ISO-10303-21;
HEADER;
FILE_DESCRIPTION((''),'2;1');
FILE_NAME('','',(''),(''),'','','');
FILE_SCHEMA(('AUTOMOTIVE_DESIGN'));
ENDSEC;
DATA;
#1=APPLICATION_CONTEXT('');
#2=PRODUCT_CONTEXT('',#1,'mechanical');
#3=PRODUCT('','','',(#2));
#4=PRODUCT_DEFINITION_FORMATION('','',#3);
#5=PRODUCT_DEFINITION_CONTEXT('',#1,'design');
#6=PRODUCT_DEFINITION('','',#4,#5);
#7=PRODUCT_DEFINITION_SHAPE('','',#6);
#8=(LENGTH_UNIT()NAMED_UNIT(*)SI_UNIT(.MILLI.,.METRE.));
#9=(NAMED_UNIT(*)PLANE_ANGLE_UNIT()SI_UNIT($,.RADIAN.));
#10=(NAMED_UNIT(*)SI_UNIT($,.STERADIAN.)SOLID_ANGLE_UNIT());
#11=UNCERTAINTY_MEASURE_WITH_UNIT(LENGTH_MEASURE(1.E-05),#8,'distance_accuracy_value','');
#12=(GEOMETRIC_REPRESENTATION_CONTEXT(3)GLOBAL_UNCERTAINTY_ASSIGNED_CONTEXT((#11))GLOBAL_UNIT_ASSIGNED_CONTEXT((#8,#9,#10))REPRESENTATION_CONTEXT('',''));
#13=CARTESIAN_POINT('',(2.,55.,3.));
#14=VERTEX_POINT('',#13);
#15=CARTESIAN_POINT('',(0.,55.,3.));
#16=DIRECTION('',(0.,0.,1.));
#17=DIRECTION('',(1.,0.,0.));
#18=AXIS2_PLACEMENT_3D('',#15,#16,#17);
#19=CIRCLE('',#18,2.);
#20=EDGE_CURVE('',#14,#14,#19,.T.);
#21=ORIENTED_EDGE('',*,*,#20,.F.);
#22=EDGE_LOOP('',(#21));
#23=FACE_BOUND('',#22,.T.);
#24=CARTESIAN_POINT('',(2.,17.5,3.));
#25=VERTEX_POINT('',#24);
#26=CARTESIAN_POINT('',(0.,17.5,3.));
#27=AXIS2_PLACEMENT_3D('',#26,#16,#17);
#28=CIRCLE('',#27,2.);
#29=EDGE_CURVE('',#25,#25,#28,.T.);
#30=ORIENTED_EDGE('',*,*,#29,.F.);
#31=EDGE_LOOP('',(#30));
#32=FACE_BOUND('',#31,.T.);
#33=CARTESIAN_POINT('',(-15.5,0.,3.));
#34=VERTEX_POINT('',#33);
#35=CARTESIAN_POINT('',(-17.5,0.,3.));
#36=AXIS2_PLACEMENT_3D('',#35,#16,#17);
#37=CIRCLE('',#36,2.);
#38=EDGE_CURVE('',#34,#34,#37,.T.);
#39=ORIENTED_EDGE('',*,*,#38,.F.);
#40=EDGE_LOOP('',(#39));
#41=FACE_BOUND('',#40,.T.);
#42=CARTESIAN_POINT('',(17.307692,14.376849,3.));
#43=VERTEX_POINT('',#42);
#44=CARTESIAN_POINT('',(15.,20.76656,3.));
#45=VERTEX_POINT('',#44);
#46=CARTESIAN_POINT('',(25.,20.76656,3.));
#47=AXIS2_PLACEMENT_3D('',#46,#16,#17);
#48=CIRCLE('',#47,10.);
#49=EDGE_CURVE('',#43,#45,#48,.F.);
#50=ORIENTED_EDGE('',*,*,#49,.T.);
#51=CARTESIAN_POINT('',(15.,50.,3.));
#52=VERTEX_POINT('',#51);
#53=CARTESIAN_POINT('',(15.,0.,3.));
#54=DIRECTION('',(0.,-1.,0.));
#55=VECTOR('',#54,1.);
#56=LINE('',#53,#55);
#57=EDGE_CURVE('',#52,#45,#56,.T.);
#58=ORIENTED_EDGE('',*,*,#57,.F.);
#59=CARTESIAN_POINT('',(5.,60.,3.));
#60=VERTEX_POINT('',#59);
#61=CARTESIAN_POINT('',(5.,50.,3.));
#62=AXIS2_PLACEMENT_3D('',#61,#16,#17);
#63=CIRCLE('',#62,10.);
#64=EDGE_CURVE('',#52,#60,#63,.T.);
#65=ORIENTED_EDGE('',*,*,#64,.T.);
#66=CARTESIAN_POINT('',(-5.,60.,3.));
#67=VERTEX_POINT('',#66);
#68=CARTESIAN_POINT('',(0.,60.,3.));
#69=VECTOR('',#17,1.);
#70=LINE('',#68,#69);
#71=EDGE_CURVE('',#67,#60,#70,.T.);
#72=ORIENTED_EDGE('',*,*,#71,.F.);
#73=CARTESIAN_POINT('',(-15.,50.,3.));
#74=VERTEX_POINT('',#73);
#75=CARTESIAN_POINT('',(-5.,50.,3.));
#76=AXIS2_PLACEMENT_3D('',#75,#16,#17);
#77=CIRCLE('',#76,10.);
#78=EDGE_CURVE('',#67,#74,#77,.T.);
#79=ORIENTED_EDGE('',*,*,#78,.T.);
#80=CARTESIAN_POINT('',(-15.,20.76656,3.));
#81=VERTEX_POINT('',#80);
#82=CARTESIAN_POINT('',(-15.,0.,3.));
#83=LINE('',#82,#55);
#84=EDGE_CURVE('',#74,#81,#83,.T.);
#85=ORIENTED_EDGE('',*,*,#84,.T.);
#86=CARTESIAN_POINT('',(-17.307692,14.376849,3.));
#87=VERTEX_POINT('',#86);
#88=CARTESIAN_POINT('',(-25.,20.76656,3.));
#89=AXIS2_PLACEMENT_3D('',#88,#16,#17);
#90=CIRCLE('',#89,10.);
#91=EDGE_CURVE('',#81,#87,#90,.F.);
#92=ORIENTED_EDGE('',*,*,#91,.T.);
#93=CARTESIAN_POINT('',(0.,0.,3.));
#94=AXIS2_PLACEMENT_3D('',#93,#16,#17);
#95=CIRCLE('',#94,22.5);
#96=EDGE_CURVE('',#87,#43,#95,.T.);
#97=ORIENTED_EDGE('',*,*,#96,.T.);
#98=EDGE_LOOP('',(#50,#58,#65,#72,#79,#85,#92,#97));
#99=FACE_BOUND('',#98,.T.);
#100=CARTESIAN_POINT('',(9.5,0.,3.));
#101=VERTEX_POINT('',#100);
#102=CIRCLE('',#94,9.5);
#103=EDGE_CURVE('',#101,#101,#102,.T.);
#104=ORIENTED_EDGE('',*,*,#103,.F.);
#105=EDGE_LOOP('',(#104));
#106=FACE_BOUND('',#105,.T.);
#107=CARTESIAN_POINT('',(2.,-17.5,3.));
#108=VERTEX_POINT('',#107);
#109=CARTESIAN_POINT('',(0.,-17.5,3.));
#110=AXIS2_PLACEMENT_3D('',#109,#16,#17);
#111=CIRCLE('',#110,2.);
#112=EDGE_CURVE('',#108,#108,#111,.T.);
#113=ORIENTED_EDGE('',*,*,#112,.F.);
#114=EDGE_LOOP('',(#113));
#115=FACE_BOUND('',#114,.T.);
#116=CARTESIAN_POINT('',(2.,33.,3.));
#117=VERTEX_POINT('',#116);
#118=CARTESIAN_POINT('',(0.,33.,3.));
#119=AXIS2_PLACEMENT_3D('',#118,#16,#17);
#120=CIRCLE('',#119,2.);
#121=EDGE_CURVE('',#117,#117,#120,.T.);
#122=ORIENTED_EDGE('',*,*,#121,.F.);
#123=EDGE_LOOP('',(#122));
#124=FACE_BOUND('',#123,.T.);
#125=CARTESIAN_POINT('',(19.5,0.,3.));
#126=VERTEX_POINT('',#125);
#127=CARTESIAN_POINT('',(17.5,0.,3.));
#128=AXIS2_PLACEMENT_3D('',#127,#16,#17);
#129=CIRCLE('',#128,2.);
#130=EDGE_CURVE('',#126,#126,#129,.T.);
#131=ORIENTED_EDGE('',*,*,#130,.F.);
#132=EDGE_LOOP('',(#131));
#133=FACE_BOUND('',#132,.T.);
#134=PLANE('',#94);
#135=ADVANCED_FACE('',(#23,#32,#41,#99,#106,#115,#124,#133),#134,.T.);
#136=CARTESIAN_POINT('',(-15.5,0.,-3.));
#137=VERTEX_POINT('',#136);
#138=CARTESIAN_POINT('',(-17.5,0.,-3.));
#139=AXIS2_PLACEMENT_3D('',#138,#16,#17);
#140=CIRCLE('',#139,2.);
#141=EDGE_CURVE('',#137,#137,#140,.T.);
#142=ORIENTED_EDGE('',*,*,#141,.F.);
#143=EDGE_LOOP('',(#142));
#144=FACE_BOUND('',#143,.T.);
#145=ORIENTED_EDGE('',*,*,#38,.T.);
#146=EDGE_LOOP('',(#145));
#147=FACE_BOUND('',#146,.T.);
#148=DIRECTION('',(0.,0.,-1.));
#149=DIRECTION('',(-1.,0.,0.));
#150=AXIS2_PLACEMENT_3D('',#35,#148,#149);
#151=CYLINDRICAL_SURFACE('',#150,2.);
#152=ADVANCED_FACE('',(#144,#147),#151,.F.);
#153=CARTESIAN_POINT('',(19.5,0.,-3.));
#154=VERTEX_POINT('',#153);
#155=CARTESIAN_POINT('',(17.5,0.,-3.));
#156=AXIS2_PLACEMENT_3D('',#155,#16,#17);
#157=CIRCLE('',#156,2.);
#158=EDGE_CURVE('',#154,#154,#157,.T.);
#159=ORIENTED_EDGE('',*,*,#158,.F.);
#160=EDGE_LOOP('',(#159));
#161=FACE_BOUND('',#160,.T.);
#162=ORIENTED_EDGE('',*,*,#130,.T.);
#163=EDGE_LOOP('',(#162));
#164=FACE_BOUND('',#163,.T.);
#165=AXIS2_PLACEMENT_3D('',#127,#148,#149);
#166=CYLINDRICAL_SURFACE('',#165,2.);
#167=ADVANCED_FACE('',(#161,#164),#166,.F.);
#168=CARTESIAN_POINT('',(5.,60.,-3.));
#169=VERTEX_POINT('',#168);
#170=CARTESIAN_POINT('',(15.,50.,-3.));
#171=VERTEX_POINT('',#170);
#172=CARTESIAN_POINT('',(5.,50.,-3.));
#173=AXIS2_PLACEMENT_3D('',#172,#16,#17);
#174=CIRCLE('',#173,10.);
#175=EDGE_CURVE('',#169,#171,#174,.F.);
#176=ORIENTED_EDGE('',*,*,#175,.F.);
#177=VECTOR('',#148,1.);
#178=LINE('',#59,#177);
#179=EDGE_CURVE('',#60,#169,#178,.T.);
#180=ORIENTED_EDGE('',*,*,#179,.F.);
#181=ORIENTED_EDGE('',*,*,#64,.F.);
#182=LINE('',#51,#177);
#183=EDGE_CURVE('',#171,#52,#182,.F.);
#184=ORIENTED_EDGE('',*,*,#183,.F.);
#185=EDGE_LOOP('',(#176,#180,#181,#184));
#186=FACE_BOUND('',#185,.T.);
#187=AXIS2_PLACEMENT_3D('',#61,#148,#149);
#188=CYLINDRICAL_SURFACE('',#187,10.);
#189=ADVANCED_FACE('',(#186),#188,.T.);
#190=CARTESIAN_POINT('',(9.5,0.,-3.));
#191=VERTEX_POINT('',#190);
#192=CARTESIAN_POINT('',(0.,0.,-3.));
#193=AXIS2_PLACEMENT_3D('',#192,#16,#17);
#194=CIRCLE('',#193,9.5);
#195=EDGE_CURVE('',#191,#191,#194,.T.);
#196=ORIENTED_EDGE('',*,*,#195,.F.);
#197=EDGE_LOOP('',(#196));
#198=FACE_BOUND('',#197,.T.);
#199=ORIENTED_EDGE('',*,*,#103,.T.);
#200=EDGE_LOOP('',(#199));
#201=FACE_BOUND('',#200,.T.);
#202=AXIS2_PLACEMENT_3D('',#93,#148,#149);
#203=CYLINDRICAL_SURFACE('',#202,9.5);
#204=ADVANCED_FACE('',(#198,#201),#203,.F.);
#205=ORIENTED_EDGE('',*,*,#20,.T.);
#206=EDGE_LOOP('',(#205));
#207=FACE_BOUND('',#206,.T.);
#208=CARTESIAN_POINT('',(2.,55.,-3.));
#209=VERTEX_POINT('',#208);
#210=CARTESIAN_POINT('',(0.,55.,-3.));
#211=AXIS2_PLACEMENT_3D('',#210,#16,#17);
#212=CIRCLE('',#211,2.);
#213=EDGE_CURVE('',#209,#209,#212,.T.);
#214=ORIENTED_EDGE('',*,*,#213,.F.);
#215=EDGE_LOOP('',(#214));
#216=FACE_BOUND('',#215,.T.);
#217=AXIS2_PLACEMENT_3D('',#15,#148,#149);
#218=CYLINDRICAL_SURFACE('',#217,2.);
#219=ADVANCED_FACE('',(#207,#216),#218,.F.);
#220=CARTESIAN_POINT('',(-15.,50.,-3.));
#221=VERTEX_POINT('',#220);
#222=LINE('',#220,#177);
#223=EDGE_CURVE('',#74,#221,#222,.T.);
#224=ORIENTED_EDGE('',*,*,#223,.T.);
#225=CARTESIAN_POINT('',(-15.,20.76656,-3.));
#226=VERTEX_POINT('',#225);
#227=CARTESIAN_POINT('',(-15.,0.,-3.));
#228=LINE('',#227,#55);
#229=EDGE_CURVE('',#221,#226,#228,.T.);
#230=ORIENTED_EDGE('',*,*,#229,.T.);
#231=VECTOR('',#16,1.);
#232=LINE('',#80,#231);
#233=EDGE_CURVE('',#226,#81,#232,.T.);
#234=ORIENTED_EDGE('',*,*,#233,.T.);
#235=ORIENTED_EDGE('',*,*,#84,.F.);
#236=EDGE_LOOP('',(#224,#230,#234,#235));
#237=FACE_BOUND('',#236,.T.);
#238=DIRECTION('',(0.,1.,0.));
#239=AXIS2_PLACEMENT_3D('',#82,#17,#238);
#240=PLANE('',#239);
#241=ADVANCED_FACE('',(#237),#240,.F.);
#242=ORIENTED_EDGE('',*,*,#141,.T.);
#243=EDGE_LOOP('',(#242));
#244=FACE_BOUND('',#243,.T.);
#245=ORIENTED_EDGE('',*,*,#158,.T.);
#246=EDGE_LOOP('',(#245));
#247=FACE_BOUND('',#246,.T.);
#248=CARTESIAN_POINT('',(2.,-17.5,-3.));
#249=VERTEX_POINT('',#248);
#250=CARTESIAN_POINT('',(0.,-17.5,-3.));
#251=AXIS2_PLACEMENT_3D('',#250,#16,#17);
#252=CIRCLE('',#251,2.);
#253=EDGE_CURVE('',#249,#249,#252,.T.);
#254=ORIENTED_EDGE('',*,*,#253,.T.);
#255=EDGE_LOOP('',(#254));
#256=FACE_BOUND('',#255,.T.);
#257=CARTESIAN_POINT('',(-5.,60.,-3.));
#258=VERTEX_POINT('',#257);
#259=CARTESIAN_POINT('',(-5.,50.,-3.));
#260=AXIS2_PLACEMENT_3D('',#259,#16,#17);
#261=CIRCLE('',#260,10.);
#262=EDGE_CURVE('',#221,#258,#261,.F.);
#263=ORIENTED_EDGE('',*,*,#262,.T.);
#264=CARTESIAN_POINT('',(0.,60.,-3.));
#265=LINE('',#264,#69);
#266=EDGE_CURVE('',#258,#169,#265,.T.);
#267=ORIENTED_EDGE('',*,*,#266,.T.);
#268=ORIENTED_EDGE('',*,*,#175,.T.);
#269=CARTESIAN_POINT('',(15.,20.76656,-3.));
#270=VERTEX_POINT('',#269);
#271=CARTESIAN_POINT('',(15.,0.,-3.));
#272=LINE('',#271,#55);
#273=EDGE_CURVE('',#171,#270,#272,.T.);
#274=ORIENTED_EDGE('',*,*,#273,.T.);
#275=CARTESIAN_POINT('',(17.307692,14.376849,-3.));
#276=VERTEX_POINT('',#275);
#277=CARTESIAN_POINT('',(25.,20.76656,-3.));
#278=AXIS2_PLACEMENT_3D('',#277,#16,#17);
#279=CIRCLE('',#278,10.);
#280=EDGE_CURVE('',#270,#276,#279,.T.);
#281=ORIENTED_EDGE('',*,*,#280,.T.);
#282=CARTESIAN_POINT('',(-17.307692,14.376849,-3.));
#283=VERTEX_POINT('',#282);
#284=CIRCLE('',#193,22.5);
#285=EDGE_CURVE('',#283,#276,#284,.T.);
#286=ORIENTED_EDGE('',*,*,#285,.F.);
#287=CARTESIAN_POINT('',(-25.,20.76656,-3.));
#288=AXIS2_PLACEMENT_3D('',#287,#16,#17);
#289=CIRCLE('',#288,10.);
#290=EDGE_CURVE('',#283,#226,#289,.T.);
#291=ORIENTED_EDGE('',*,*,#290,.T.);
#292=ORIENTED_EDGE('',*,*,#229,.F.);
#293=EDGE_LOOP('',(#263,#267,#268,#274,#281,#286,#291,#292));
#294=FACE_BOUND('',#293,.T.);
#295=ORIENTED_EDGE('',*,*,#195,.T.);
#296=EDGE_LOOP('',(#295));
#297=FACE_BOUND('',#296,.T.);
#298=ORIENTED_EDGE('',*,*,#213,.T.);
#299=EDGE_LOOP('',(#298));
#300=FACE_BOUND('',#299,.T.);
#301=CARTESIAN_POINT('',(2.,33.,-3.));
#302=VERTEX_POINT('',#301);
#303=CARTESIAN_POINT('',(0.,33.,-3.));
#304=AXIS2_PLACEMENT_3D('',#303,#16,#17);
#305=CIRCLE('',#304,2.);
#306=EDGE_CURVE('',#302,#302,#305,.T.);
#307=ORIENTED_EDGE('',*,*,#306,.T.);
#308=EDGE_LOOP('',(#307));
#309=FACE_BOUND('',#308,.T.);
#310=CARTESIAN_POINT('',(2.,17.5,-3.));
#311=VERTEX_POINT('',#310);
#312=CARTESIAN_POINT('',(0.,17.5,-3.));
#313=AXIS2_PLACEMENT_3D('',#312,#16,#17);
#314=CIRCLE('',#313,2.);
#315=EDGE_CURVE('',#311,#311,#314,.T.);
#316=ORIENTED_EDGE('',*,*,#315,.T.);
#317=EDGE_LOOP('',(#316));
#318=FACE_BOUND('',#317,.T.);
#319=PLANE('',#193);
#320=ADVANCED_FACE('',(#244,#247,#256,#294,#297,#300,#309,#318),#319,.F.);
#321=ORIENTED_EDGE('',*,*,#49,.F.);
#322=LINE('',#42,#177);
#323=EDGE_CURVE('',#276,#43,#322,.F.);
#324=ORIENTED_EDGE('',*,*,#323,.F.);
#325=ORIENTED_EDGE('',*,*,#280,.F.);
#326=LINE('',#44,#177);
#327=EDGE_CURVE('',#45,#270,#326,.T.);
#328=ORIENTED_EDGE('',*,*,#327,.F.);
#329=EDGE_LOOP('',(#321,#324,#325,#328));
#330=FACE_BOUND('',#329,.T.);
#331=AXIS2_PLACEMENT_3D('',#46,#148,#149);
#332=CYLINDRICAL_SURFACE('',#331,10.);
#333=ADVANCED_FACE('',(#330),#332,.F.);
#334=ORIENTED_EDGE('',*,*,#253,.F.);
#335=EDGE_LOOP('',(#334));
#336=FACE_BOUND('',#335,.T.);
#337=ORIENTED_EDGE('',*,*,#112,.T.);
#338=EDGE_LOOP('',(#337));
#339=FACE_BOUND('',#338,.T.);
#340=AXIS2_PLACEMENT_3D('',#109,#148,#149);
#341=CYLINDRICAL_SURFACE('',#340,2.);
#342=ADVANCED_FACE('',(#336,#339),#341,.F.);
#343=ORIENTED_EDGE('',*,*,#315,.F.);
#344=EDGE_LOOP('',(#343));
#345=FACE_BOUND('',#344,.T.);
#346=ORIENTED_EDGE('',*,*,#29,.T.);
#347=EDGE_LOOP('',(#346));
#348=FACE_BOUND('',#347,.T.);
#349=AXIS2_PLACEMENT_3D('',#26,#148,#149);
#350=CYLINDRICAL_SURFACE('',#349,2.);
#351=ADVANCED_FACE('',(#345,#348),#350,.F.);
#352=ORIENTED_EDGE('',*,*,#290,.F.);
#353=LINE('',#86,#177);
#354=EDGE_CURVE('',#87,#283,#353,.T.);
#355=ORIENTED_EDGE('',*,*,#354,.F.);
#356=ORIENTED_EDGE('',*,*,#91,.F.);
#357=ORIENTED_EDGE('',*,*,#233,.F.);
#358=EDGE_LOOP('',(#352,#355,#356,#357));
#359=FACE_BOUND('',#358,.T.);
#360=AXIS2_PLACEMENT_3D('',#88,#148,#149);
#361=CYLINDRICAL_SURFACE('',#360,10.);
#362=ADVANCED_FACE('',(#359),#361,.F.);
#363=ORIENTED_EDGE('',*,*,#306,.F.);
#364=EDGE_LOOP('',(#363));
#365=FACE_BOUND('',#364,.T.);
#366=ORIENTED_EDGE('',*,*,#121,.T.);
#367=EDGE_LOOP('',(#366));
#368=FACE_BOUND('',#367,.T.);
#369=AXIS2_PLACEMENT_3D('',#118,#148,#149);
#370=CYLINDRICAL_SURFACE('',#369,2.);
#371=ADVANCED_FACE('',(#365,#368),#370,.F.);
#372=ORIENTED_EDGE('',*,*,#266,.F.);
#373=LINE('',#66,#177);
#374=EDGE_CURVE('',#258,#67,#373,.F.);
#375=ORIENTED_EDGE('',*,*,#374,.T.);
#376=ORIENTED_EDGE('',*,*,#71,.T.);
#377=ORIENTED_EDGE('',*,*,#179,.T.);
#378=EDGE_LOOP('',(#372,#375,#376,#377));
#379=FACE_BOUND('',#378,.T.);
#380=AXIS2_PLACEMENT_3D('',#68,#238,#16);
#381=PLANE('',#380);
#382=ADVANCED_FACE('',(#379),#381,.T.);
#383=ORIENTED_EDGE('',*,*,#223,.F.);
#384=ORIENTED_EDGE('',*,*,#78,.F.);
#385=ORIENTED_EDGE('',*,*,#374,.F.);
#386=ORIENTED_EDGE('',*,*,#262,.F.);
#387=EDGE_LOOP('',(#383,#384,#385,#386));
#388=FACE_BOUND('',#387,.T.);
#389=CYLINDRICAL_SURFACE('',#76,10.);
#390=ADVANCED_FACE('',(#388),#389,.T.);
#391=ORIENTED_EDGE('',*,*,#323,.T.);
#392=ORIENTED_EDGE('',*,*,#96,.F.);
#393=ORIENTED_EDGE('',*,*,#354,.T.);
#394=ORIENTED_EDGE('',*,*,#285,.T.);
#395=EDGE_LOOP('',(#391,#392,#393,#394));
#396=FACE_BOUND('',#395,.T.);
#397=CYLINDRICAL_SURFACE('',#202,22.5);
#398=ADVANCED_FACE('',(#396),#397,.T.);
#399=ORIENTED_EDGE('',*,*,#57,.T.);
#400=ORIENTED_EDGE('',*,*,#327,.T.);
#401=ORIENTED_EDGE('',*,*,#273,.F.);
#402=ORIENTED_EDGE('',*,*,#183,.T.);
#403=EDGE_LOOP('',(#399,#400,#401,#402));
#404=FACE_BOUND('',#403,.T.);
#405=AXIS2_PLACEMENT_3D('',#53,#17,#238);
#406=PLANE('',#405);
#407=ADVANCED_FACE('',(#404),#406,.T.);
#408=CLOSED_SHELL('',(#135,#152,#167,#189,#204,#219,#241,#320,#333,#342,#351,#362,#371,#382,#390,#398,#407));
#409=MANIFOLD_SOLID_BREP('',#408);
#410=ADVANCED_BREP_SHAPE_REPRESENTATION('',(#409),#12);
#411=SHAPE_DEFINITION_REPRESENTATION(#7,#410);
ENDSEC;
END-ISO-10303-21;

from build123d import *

# Parameters (mm, degrees)
SKETCH1_R           = 2
SKETCH1_R_2         = 9.5
BOSS_EXTRUDE1_DEPTH = 3
FILLET1_R           = 10


with BuildPart() as part:
    # Sketch1 → Boss-Extrude1 (new, symmetric)
    with BuildSketch(Plane.XY):
        with BuildLine():
            Line((15, 60), (-15, 60))
            Line((-15, 60), (-15, 16.770509831))
            ThreePointArc((-15, 16.770509831), (0, -22.5), (15, 16.770509831))
            Line((15, 16.770509831), (15, 60))
        make_face()
        with Locations((0, 33)):
            Circle(SKETCH1_R, mode=Mode.SUBTRACT)
        with Locations((0, 55)):
            Circle(SKETCH1_R, mode=Mode.SUBTRACT)
        with Locations((17.5, 0)):
            Circle(SKETCH1_R, mode=Mode.SUBTRACT)
        with Locations((-17.5, 0)):
            Circle(SKETCH1_R, mode=Mode.SUBTRACT)
        with Locations((0, -17.5)):
            Circle(SKETCH1_R, mode=Mode.SUBTRACT)
        Circle(SKETCH1_R_2, mode=Mode.SUBTRACT)
        with Locations((0, 17.5)):
            Circle(SKETCH1_R, mode=Mode.SUBTRACT)
    extrude(amount=BOSS_EXTRUDE1_DEPTH, both=True)

    # Fillet1
    fillet1_edges = [part.edges().sort_by_distance(p)[0] for p in [
        (-15, 60, 0),
        (15, 60, 0),
        (15, 16.770509831, 0),
        (-15, 16.770509831, 0),
    ]]
    fillet(fillet1_edges, radius=FILLET1_R)


solid = part.part
